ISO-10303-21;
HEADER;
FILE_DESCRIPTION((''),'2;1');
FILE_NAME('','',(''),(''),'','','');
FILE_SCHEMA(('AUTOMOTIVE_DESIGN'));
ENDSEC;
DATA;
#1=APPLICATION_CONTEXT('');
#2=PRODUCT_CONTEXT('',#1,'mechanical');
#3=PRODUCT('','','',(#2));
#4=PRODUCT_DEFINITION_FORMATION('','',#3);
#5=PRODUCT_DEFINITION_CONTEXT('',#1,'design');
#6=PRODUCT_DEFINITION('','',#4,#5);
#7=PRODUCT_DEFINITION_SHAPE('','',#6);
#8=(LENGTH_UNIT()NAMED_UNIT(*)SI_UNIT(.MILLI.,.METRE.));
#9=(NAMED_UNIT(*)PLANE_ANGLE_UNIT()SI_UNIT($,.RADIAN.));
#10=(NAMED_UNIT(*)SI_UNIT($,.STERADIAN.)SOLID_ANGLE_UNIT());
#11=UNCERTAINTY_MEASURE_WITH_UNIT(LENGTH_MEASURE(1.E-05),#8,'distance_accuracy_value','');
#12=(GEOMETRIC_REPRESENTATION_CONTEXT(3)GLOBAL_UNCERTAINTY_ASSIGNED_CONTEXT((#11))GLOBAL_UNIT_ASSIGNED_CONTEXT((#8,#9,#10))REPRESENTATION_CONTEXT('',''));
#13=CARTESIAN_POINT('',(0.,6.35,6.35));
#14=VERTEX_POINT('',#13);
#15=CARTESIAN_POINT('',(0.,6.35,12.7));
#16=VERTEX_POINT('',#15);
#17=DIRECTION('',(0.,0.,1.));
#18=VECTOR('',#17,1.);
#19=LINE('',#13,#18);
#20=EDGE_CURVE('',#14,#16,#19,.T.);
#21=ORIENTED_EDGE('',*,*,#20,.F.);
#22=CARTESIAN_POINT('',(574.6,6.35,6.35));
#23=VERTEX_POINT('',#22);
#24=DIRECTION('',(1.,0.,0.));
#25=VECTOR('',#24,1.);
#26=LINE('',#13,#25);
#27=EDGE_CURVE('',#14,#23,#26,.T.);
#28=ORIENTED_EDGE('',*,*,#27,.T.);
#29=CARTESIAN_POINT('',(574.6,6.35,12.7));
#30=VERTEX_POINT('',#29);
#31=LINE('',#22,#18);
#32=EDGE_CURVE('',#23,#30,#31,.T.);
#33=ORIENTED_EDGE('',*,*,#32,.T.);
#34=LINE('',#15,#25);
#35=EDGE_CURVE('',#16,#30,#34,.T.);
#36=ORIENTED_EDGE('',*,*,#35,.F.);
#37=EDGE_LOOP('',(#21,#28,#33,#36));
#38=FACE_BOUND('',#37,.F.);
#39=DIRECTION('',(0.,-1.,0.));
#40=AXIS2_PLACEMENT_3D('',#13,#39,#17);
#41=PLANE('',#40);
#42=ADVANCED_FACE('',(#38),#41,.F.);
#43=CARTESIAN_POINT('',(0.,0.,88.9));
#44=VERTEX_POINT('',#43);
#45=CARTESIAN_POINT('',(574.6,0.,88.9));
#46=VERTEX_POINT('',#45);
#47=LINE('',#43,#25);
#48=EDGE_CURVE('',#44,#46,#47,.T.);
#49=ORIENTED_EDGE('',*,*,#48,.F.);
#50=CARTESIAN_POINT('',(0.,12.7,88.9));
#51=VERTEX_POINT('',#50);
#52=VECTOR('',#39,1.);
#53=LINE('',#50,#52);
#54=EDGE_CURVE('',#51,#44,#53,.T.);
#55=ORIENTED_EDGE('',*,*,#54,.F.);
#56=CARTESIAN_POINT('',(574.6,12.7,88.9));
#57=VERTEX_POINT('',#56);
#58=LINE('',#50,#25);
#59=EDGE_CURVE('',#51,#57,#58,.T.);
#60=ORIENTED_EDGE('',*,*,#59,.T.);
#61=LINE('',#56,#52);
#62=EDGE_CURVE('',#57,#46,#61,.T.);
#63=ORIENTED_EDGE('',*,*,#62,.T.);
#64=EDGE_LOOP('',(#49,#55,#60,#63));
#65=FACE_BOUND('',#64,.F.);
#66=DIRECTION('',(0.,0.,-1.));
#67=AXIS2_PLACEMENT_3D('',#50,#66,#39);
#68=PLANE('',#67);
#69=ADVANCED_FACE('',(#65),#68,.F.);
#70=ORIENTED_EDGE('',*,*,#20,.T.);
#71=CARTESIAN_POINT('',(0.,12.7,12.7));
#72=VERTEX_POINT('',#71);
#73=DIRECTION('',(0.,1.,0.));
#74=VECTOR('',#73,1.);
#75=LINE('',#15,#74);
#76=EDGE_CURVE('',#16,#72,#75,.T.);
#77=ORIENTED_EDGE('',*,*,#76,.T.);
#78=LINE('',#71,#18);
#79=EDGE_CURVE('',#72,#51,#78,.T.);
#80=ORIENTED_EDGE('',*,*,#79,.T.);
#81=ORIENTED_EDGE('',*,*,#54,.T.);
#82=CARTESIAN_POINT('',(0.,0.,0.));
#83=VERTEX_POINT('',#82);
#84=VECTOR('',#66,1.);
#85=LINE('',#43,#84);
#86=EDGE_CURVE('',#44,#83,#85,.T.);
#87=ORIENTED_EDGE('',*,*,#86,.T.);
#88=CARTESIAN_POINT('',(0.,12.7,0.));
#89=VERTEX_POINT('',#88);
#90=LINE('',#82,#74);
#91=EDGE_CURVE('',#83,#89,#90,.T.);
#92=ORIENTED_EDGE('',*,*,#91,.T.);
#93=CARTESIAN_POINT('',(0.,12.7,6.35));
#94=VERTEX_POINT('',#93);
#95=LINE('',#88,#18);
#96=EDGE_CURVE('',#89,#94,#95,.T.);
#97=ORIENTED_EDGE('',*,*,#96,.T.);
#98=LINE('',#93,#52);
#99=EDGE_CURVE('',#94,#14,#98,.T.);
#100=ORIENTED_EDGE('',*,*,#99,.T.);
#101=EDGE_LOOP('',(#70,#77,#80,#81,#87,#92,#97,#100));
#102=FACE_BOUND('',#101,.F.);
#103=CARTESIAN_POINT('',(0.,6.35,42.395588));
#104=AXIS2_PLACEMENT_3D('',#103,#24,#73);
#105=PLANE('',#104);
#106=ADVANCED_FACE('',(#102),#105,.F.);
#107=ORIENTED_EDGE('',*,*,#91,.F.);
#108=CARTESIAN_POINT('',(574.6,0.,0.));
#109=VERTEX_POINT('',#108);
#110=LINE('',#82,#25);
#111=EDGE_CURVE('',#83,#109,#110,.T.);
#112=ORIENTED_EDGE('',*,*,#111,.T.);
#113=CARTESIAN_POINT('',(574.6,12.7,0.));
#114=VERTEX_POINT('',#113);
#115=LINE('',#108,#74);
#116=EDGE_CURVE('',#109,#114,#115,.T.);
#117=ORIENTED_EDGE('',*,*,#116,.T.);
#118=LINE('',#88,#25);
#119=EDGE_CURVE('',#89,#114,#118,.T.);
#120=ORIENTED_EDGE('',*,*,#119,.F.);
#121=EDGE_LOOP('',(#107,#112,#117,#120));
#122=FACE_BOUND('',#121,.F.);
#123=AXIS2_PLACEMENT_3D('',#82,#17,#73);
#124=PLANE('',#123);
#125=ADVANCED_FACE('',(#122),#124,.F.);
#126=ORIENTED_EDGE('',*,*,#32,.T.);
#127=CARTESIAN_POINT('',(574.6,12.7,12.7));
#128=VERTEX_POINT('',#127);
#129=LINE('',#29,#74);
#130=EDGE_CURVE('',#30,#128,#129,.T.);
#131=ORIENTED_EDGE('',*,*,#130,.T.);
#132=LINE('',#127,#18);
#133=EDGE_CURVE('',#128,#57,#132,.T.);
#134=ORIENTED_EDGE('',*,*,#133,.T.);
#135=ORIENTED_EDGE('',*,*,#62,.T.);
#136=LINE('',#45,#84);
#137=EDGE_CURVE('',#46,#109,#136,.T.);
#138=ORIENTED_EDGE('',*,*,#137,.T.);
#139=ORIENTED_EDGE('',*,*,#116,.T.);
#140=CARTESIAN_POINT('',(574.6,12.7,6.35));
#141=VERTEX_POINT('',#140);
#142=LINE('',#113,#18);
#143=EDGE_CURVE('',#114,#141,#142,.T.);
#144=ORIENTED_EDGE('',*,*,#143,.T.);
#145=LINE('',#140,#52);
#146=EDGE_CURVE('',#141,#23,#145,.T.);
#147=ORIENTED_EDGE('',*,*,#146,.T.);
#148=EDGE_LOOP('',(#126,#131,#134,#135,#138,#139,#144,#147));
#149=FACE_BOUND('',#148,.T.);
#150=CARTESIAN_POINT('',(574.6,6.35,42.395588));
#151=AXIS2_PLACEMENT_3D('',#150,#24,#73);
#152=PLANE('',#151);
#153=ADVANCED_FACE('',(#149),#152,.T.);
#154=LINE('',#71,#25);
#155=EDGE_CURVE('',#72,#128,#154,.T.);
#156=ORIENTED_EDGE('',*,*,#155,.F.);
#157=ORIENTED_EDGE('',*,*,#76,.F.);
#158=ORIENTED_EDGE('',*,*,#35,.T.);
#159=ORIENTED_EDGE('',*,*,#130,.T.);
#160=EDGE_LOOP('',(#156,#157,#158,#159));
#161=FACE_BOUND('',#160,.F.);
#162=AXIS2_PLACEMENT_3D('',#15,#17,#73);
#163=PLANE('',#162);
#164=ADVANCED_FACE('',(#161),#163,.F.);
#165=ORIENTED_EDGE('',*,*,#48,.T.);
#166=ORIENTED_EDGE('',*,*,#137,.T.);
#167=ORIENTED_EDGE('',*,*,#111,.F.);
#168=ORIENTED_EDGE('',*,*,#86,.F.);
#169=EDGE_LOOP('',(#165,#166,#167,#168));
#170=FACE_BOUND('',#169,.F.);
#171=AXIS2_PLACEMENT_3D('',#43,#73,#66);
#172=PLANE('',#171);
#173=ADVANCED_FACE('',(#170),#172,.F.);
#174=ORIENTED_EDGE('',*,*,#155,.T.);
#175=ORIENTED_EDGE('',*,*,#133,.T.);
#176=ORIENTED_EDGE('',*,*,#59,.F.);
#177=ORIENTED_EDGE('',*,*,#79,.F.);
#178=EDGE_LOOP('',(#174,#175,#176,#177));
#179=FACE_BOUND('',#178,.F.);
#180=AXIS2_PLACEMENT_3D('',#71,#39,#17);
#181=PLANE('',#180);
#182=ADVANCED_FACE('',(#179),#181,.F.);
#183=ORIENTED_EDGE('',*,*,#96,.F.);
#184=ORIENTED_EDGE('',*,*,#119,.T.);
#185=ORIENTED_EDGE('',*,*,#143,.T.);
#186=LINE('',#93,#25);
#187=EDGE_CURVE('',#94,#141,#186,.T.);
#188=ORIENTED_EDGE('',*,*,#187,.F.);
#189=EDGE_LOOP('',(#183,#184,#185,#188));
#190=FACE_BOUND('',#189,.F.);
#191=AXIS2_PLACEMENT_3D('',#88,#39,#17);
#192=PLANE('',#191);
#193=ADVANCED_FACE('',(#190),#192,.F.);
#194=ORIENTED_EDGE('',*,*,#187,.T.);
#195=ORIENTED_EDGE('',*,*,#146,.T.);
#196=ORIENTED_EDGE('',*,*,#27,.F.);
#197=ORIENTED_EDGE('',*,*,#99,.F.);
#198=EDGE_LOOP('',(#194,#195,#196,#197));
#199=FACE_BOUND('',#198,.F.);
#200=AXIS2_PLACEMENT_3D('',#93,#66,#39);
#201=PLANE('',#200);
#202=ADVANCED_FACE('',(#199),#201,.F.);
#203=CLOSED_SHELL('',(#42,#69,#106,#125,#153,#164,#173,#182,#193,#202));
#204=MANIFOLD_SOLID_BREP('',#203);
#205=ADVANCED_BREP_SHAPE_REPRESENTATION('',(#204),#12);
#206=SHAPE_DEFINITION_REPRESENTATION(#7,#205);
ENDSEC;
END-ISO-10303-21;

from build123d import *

# Parameters (mm, degrees)
PAD_DEPTH = 574.6


with BuildPart() as part:
    # Sketch → Pad (new body)
    with BuildSketch(Plane.YZ):
        Polygon((0, 0), (12.7, 0), (12.7, 6.35), (6.35, 6.35), (6.35, 12.7), (12.7, 12.7), (12.7, 88.9), (0, 88.9), align=None)
    extrude(amount=PAD_DEPTH)


solid = part.part
